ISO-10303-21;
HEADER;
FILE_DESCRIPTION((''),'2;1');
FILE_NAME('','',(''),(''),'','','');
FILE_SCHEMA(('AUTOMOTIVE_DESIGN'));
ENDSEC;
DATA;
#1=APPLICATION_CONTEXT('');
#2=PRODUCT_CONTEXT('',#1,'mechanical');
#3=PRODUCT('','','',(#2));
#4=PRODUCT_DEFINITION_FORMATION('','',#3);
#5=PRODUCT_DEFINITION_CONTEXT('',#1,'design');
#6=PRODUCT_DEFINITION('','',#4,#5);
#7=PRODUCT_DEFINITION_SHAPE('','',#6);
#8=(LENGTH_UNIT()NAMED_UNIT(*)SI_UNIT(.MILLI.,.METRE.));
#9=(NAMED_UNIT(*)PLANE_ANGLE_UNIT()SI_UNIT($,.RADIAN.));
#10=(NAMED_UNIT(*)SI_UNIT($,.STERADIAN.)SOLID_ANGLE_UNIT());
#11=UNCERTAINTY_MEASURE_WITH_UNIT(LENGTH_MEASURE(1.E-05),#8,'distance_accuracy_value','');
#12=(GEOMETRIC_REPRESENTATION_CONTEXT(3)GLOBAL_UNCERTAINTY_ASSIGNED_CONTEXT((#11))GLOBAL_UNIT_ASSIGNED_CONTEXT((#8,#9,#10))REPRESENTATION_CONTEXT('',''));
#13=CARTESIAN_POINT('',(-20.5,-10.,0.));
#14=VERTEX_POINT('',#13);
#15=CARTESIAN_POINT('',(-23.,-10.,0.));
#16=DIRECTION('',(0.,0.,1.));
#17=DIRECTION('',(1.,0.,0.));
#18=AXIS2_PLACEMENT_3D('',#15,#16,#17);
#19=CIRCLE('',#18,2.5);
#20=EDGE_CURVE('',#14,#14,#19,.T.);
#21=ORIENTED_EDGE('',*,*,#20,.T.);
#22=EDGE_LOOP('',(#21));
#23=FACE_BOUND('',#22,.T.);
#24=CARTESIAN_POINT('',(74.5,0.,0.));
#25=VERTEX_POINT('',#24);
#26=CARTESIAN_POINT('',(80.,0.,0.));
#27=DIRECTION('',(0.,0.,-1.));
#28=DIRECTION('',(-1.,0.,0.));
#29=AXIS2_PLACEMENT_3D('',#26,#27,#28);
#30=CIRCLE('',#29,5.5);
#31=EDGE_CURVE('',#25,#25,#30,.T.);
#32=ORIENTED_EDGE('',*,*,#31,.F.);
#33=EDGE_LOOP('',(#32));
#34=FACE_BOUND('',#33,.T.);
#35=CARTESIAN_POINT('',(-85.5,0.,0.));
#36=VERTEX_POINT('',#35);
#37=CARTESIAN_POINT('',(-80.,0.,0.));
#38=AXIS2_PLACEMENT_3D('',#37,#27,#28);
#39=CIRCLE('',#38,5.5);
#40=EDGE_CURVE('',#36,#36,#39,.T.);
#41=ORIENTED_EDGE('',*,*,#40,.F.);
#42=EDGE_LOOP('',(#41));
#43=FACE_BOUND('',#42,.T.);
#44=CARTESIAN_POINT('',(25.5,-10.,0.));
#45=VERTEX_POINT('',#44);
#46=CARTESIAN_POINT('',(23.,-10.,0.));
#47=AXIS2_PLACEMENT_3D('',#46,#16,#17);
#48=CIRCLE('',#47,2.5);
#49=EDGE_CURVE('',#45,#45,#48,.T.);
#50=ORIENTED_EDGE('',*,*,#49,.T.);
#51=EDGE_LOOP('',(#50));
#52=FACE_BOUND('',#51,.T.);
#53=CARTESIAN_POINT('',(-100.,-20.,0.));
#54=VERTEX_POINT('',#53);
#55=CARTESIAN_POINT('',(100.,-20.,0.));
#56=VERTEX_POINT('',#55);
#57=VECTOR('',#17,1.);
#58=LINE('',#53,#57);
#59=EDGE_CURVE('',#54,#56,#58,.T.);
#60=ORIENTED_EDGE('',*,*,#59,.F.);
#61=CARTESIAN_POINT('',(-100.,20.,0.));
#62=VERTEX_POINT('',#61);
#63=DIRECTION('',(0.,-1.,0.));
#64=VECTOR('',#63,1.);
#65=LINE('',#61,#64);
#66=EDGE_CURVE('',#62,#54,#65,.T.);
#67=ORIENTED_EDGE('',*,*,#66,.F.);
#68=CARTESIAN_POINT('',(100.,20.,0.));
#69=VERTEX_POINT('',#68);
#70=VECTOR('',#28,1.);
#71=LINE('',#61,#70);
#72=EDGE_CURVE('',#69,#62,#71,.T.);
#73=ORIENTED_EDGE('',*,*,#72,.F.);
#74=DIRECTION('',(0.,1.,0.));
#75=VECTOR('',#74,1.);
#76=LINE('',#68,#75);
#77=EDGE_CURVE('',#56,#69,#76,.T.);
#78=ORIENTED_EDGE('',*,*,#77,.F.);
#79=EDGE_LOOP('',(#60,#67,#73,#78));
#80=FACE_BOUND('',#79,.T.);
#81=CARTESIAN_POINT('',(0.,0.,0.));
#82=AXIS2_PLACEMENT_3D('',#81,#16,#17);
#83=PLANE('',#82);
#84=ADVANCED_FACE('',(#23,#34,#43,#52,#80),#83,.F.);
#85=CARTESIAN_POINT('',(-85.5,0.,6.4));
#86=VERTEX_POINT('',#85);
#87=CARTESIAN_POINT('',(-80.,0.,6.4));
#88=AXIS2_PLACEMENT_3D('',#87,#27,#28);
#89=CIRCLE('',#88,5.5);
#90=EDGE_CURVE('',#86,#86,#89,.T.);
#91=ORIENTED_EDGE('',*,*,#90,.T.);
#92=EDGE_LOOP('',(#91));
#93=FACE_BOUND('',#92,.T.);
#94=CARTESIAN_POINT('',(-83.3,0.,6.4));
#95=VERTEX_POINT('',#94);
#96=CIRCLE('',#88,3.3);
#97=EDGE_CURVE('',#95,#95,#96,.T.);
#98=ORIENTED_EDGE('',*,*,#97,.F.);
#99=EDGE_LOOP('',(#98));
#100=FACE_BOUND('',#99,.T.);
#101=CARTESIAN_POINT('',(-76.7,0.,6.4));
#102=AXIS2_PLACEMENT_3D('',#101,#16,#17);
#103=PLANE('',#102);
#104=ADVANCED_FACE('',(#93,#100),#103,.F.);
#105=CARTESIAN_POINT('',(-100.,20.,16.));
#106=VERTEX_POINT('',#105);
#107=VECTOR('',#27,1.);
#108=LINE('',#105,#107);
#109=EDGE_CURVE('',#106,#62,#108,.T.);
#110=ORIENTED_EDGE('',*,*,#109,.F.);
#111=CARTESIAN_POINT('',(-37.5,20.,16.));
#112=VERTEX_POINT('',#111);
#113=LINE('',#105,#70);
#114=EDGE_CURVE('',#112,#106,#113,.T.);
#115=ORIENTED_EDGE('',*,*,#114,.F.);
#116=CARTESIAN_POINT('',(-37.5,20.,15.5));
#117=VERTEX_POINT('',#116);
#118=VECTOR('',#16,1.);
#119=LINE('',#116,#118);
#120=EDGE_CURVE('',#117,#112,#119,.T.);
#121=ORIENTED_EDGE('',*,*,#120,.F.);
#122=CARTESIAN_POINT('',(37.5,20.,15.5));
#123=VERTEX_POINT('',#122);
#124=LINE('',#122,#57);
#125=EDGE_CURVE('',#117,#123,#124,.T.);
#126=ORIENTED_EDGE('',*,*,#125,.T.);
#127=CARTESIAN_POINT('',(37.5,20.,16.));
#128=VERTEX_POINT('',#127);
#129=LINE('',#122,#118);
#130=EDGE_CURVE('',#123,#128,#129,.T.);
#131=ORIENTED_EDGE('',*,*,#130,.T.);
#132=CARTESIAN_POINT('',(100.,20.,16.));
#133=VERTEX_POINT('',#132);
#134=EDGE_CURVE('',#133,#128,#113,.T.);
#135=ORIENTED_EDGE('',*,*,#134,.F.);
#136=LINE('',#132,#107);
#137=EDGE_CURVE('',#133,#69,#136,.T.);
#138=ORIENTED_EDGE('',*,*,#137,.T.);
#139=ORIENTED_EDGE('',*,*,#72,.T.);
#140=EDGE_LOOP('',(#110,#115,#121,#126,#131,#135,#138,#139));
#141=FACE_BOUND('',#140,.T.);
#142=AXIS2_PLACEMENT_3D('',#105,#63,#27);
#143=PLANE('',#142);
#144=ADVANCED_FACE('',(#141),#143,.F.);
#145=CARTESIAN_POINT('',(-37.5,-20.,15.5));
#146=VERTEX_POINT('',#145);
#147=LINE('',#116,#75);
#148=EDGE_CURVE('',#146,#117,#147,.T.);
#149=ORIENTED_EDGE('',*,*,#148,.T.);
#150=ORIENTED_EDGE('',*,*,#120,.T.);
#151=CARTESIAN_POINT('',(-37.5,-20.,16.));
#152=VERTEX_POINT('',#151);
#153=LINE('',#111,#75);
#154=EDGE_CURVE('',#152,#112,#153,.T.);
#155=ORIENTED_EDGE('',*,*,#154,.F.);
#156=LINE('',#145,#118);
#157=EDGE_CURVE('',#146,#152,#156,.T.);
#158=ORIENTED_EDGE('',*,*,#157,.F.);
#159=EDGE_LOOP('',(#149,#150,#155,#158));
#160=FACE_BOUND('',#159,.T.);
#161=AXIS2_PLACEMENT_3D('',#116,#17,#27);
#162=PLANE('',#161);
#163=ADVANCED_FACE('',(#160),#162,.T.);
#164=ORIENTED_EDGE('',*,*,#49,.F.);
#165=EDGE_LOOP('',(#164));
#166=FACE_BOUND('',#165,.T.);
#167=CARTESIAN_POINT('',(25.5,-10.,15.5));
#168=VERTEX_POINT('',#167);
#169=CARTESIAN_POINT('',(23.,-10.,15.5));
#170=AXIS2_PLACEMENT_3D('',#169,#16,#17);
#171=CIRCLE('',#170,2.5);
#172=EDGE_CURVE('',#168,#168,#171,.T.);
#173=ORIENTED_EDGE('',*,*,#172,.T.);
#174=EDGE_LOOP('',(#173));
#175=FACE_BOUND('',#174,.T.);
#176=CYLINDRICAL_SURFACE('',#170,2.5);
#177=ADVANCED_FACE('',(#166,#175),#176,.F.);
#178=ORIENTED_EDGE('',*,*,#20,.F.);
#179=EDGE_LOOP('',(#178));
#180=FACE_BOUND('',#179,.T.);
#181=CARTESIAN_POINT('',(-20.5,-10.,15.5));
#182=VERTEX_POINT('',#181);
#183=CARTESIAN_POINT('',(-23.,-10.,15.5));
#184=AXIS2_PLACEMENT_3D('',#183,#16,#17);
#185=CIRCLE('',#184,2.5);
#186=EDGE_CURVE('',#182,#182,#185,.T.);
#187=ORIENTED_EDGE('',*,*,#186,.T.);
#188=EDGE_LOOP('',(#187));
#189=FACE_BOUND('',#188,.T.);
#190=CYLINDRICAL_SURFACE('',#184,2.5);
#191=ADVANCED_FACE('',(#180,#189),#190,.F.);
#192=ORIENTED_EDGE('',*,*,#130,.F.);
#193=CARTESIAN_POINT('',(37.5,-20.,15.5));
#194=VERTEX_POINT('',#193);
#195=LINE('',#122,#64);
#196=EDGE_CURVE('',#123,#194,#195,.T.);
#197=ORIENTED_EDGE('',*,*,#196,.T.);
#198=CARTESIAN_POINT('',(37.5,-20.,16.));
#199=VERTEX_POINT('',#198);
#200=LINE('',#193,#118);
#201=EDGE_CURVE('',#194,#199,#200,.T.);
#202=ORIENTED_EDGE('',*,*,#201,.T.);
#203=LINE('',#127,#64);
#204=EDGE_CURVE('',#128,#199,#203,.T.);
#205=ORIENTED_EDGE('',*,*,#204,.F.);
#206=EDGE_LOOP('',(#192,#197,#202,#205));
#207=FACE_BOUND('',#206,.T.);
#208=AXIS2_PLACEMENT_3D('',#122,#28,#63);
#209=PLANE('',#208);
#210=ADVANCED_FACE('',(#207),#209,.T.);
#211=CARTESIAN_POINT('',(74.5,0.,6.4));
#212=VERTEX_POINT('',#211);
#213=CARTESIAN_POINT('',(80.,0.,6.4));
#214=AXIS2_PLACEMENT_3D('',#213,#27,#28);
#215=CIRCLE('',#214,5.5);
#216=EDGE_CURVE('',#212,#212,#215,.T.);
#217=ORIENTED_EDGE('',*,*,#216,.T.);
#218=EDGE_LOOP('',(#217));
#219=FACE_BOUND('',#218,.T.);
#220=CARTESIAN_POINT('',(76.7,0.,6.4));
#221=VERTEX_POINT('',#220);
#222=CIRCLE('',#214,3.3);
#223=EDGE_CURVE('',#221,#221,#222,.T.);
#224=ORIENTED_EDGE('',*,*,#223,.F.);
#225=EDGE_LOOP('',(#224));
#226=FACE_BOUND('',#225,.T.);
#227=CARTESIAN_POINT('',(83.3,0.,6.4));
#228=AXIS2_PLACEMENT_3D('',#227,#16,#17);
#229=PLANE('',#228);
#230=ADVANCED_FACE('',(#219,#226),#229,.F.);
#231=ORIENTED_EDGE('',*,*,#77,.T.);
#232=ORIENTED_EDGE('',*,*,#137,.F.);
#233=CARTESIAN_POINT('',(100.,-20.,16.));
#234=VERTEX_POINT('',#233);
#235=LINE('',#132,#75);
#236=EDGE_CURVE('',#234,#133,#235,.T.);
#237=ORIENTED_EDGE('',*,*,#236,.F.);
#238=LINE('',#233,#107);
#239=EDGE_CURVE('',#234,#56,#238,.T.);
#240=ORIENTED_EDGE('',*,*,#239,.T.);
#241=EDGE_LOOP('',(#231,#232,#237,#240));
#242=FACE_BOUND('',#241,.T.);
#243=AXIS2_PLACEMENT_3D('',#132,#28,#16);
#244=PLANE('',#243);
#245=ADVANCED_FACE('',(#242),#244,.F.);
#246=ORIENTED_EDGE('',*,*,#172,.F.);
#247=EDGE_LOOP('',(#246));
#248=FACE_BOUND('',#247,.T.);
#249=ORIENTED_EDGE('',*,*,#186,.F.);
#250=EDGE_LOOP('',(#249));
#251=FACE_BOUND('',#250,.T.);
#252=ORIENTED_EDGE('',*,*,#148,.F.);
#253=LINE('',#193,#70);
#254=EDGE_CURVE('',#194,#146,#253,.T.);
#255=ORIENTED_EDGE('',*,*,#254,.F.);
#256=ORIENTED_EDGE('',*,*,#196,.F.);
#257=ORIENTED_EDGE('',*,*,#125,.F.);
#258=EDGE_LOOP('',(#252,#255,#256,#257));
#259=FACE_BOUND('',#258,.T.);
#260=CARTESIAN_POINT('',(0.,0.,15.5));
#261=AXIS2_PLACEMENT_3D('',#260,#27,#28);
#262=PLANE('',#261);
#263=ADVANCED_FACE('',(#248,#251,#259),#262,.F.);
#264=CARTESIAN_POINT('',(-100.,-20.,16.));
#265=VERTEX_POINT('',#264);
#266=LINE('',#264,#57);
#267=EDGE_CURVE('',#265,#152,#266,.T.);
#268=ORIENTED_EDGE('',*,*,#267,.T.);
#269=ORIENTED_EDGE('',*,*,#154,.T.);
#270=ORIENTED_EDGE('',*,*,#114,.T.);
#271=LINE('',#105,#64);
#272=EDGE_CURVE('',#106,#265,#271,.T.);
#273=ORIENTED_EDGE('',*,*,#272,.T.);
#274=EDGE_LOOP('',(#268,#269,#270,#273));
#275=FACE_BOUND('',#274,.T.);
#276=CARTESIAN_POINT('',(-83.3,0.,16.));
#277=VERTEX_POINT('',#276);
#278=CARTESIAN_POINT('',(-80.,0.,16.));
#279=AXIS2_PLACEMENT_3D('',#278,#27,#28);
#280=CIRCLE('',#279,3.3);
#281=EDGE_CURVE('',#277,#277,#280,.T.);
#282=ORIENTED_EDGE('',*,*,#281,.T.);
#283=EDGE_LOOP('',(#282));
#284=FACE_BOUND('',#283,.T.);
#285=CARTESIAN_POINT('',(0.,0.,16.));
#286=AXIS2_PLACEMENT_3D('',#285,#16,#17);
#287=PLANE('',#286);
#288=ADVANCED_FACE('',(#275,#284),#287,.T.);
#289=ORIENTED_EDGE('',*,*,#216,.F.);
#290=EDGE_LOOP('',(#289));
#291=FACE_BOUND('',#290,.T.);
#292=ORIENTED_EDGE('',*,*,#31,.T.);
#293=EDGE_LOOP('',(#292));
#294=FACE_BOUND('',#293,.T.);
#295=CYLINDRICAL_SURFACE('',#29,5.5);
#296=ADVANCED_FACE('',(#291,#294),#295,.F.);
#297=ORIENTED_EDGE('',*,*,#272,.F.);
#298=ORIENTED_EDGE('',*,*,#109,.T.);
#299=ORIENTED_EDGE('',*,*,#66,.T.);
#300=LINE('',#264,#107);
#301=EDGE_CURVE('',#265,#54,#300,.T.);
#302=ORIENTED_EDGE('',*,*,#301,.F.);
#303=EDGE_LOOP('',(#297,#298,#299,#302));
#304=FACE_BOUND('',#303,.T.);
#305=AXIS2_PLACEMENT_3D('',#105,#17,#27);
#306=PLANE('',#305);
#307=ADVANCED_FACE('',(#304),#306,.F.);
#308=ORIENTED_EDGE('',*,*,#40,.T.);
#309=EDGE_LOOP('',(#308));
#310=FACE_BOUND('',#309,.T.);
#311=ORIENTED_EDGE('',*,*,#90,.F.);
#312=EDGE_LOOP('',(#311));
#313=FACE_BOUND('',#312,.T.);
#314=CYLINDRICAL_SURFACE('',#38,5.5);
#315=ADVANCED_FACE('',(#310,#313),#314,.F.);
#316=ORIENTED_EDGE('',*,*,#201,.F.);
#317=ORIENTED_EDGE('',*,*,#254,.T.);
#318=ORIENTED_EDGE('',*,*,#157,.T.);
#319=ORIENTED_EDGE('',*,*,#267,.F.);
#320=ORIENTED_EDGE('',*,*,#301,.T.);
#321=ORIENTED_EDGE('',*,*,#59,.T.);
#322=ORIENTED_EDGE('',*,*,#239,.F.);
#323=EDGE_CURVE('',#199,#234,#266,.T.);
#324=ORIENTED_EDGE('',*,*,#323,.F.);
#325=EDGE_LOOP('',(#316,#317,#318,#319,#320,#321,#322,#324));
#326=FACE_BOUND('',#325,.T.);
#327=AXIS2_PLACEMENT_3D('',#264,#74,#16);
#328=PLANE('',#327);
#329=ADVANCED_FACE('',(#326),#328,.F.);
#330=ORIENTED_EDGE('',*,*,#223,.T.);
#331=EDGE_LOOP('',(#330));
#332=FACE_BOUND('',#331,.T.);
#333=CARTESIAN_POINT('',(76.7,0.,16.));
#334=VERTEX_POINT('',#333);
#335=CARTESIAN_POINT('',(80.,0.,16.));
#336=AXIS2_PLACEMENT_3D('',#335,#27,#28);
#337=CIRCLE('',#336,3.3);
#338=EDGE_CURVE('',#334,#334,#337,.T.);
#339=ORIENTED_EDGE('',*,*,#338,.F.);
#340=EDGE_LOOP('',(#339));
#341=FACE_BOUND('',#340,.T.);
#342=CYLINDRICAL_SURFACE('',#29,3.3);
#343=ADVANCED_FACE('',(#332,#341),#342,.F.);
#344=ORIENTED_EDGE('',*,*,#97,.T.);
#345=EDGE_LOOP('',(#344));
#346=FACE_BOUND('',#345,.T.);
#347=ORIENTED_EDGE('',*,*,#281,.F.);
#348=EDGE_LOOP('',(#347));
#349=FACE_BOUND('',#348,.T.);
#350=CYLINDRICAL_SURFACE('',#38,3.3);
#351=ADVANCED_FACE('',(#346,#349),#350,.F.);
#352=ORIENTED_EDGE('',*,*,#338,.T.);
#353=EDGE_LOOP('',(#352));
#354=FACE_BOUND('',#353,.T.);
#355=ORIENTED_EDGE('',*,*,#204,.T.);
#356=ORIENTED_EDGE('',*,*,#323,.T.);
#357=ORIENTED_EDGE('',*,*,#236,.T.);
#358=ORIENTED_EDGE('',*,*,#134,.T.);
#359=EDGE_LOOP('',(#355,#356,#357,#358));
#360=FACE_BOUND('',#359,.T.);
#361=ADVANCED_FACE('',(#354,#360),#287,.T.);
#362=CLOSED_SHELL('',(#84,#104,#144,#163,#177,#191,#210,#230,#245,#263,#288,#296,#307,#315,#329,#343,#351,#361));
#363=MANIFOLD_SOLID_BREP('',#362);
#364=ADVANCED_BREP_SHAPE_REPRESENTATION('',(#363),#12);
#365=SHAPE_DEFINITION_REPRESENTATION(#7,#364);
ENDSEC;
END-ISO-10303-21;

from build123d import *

# Parameters (mm, degrees)
SKETCH1_W                                           = 200
SKETCH1_H                                           = 40
EXTRUDE1_DEPTH                                      = 16
SKETCH2_W                                           = 75
SKETCH2_H                                           = 40
EXTRUDE2_DEPTH                                      = 0.5
M6_TAPPED_HOLE1_D                                   = 5
CBORE_FOR_M6_HEX_SOCKET_HEAD_CAP_SCREW1_D           = 6.6
CBORE_FOR_M6_HEX_SOCKET_HEAD_CAP_SCREW1_CBORE_D     = 11
CBORE_FOR_M6_HEX_SOCKET_HEAD_CAP_SCREW1_CBORE_DEPTH = 6.4


with BuildPart() as part:
    # Sketch1 → Extrude1 (new body)
    with BuildSketch(Plane.XY):
        Rectangle(SKETCH1_W, SKETCH1_H)
    extrude(amount=EXTRUDE1_DEPTH)

    # Sketch2 → Extrude2 (cut)
    with BuildSketch(Plane(origin=(0, 0, 16), x_dir=(-1, 0, 0), z_dir=(0, 0, -1))):
        Rectangle(SKETCH2_W, SKETCH2_H)
    extrude(amount=EXTRUDE2_DEPTH, mode=Mode.SUBTRACT)

    # M6 Tapped Hole1 (through all)
    with Locations(Plane.XY.offset(15.5)):
        with Locations((-23, -10), (23, -10)):
            Hole(M6_TAPPED_HOLE1_D / 2)

    # CBORE for M6 Hex Socket Head Cap Screw1 (through all)
    with Locations(Plane(origin=(0, 0, 0), x_dir=(-1, 0, 0), z_dir=(0, 0, -1))):
        with Locations((-80, 0), (80, 0)):
            CounterBoreHole(CBORE_FOR_M6_HEX_SOCKET_HEAD_CAP_SCREW1_D / 2, CBORE_FOR_M6_HEX_SOCKET_HEAD_CAP_SCREW1_CBORE_D / 2, CBORE_FOR_M6_HEX_SOCKET_HEAD_CAP_SCREW1_CBORE_DEPTH)


solid = part.part
